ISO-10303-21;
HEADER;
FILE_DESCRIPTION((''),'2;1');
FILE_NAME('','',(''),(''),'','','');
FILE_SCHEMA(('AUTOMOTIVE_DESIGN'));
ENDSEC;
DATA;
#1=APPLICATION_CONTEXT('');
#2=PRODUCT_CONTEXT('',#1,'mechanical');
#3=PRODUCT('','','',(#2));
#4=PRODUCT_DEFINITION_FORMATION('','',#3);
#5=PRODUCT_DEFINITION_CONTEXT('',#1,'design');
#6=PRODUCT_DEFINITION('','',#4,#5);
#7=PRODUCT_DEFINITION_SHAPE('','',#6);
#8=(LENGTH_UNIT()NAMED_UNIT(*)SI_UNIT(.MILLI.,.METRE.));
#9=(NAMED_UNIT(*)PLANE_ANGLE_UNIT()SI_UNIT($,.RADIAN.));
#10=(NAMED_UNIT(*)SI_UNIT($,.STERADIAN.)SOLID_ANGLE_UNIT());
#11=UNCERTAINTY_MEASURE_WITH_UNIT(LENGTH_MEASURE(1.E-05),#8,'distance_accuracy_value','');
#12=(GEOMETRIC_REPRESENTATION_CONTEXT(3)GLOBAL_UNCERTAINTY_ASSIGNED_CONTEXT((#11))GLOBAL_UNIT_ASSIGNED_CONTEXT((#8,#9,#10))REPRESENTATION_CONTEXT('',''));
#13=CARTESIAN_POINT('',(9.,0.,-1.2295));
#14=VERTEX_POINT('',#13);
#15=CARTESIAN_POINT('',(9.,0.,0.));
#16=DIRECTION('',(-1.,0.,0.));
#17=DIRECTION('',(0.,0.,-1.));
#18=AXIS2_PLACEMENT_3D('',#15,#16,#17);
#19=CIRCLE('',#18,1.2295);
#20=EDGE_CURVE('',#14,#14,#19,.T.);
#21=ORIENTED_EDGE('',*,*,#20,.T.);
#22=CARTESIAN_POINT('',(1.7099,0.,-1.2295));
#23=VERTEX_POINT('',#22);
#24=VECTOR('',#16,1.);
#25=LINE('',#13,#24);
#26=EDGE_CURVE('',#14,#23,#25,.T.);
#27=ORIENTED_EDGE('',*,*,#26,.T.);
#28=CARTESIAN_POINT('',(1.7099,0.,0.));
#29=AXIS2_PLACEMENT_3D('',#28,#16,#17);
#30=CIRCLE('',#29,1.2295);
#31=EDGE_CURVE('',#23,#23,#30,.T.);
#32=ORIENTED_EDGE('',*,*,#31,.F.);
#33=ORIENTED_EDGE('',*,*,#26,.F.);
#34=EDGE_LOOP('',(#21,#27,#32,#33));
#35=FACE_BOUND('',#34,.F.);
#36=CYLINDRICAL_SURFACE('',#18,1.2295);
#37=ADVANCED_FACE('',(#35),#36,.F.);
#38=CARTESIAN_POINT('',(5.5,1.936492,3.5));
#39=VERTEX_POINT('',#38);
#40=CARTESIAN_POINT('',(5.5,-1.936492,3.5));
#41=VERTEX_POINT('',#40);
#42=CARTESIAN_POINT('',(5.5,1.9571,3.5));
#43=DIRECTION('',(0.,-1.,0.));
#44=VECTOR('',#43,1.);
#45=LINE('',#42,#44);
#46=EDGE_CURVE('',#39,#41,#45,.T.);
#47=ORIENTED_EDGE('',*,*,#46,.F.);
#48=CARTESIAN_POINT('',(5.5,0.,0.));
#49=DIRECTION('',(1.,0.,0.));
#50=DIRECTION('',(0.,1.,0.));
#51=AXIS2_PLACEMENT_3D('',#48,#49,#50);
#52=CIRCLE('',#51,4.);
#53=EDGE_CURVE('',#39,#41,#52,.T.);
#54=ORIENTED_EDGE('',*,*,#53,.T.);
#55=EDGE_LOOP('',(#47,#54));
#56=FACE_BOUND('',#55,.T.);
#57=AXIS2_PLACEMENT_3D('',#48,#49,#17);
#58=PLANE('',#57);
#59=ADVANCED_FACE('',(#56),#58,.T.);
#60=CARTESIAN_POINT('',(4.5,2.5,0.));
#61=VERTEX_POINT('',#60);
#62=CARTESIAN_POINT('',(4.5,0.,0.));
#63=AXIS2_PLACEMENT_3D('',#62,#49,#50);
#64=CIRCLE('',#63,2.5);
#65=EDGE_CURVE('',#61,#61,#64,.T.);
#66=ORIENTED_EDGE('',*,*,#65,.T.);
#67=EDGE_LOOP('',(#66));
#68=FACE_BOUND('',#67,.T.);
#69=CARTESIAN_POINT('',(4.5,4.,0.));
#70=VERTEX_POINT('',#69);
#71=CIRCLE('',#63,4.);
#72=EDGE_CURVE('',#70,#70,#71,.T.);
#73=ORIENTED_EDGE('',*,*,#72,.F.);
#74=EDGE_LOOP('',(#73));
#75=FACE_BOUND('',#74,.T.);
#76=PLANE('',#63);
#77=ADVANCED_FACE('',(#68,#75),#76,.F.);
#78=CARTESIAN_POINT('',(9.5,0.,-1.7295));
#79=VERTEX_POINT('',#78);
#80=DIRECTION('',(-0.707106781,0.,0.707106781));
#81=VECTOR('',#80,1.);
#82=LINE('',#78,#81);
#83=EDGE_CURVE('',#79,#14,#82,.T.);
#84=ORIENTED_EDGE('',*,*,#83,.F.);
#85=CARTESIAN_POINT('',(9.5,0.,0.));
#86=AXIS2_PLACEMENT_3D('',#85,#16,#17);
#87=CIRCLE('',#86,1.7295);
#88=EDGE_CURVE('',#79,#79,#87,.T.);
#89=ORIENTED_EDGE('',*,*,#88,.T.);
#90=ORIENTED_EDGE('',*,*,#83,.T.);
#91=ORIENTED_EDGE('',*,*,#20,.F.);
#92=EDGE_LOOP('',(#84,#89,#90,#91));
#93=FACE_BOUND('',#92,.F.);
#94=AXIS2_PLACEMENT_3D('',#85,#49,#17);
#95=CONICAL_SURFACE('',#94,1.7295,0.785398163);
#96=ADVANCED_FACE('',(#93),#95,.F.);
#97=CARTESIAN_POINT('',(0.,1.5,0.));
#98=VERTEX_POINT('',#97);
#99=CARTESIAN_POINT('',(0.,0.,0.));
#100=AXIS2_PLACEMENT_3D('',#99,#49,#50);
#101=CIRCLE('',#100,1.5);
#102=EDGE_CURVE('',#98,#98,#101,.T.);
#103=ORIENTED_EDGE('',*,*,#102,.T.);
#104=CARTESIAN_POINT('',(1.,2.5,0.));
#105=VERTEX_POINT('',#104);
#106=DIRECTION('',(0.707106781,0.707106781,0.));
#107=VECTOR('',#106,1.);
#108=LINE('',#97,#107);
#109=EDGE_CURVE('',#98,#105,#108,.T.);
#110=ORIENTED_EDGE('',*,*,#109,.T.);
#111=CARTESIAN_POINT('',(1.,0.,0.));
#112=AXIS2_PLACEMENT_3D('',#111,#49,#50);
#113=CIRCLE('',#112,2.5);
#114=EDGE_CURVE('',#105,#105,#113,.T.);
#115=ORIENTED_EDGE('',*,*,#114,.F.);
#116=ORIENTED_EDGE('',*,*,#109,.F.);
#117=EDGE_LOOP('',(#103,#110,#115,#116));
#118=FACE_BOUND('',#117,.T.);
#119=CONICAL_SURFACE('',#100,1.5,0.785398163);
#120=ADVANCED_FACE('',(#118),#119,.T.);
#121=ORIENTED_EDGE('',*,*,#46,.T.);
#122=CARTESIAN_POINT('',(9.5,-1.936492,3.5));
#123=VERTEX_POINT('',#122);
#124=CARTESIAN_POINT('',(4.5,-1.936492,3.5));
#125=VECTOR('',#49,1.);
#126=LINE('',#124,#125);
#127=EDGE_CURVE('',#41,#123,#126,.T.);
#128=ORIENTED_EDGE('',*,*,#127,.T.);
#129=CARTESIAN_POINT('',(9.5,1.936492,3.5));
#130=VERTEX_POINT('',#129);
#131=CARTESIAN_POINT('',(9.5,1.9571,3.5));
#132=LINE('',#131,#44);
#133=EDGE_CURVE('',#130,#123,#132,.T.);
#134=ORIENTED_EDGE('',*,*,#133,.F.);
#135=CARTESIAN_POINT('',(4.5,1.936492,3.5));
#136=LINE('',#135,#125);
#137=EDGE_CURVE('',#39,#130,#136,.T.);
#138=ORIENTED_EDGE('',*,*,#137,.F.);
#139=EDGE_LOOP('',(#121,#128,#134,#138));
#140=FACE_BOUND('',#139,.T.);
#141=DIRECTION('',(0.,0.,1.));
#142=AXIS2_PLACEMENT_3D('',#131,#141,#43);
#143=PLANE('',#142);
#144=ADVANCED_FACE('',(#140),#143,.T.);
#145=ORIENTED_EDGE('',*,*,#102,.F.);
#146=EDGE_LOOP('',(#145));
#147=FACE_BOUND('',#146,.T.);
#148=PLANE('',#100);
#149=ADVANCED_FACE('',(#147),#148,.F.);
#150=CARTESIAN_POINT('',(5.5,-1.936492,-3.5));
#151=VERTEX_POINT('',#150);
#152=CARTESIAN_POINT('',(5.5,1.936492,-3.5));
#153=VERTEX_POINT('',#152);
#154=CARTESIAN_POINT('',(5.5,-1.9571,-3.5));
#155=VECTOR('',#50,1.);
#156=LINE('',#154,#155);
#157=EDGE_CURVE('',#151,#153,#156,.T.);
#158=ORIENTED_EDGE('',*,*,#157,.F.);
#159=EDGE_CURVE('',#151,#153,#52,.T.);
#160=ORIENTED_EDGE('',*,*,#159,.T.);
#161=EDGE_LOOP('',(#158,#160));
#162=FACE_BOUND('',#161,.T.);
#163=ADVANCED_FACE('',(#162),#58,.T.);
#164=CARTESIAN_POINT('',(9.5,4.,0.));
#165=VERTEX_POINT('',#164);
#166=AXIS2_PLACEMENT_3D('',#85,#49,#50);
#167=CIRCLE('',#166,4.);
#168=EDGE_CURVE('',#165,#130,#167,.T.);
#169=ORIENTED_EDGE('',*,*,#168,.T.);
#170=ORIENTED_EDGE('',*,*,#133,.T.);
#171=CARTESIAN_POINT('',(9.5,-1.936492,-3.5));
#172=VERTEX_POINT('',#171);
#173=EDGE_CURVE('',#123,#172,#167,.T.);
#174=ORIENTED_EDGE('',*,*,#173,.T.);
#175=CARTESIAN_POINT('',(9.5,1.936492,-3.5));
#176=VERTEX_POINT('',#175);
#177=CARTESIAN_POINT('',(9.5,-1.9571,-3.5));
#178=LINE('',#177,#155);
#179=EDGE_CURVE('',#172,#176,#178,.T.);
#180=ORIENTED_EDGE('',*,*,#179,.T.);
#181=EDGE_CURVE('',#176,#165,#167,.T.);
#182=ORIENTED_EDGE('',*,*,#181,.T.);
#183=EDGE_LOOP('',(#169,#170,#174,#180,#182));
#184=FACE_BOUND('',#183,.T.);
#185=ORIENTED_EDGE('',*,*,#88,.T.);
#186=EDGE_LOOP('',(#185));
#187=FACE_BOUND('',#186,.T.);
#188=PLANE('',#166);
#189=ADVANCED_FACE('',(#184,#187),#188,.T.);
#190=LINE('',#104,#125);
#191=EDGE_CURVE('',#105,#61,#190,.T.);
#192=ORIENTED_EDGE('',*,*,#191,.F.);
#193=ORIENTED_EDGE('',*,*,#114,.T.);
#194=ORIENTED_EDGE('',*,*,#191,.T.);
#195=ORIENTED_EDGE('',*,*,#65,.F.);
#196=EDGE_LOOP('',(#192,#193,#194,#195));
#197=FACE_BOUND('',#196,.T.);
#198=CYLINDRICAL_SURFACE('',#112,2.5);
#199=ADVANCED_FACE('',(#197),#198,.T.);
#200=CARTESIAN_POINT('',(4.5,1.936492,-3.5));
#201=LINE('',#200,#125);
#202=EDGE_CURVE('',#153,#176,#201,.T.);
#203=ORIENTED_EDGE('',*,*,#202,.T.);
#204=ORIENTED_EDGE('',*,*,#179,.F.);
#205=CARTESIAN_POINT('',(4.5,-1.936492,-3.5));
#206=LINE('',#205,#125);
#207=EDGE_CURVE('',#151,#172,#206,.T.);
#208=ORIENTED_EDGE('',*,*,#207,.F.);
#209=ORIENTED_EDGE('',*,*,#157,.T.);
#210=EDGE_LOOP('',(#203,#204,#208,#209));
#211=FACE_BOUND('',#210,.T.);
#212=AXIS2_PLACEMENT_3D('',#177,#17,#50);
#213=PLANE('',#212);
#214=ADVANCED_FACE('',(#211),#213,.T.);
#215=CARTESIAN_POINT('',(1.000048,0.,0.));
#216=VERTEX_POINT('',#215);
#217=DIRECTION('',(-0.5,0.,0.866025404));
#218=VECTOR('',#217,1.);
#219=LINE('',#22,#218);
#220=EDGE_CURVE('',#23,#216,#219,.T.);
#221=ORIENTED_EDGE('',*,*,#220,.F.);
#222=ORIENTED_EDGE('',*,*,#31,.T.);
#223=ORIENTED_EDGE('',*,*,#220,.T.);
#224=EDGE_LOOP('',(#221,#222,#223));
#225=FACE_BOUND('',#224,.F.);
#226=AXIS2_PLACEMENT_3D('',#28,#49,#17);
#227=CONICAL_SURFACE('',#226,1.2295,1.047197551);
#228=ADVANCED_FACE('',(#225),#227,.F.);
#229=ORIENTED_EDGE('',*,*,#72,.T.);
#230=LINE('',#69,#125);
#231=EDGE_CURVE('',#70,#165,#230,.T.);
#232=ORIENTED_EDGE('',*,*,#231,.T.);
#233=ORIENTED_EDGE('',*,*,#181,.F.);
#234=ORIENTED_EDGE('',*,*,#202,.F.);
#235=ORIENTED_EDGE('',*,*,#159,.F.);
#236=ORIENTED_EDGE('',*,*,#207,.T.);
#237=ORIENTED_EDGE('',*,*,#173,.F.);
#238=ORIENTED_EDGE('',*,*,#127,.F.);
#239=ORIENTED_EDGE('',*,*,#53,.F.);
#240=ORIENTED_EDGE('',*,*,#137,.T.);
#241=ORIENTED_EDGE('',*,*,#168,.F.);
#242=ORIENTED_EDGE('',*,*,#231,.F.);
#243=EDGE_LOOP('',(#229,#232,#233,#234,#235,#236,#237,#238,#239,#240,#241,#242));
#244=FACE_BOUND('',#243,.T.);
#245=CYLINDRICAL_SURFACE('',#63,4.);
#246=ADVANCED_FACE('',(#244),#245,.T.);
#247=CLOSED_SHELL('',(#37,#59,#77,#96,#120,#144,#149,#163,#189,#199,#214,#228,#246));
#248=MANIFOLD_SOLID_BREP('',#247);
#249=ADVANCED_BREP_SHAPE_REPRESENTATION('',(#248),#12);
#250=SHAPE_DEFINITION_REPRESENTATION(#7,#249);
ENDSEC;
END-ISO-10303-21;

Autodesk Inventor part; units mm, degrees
sketch "Sketch_1" plane through (0, 0, 0) normal (0, 0, 1) x (1, 0, 0)
  line L0 (9.5, 0) -> (0, 0)
  line L1 (0, 0) -> (0, 1.5)
  line L2 (0, 1.5) -> (1, 2.5)
  line L3 (1, 2.5) -> (4.5, 2.5)
  line L4 (4.5, 2.5) -> (4.5, 4)
  line L5 (4.5, 4) -> (9.5, 4)
  line L6 (9.5, 4) -> (9.5, 0)
  line L7 (9.5, 0) -> (0, 0)
revolve "Revolution1" add sketch "Sketch_1" angle 360 about axis through (9.5, 0, 0) along (1, 0, 0)
sketch "Sketch2" plane through (9.5, 0, 0) normal (1, 0, 0) x (0, 0, -1)
  point P0 (0, 0)
hole "Hole1" at (9.5, 0, 0) direction (-1, 0, 0) diameter 2.459 depth 7.7901 tip angle 120 countersink diameter 3.459 countersink angle 90 thread size "M3x0.5" class "6H" standard "ISO Metric profile"
sketch "Sketch_2" plane through (9.5, 0, 0) normal (1, 0, 0) x (0, 0, -1)
  line L0 (-7, 7) -> (-7, -7)
  line L1 (-7, -7) -> (7, -7)
  line L2 (7, -7) -> (7, 7)
  line L3 (7, 7) -> (-7, 7)
  line L4 (-3.5, 1.9571) -> (-3.5, -1.9571)
  arc A0 (-3.5, -1.9571) -> (3.5, -1.9571) centre (0, 0) ccw
  line L5 (3.5, -1.9571) -> (3.5, 1.9571)
  arc A1 (3.5, 1.9571) -> (-3.5, 1.9571) centre (0, 0) ccw
extrude "Extrusion1" cut sketch "Sketch_2" against normal blind 4
ref_plane "core_rod_XY" through (4.5, 0, 0) normal (1, 0, 0) x (0, 0, -1)
ref_plane "core_rod_YZ" through (4.5, 0, 0) normal (0, 0, -1) x (0, 1, 0)
ref_plane "core_rod_ZX" through (4.5, 0, 0) normal (0, 1, 0) x (1, 0, 0)
properties part number "URLM8_c"
